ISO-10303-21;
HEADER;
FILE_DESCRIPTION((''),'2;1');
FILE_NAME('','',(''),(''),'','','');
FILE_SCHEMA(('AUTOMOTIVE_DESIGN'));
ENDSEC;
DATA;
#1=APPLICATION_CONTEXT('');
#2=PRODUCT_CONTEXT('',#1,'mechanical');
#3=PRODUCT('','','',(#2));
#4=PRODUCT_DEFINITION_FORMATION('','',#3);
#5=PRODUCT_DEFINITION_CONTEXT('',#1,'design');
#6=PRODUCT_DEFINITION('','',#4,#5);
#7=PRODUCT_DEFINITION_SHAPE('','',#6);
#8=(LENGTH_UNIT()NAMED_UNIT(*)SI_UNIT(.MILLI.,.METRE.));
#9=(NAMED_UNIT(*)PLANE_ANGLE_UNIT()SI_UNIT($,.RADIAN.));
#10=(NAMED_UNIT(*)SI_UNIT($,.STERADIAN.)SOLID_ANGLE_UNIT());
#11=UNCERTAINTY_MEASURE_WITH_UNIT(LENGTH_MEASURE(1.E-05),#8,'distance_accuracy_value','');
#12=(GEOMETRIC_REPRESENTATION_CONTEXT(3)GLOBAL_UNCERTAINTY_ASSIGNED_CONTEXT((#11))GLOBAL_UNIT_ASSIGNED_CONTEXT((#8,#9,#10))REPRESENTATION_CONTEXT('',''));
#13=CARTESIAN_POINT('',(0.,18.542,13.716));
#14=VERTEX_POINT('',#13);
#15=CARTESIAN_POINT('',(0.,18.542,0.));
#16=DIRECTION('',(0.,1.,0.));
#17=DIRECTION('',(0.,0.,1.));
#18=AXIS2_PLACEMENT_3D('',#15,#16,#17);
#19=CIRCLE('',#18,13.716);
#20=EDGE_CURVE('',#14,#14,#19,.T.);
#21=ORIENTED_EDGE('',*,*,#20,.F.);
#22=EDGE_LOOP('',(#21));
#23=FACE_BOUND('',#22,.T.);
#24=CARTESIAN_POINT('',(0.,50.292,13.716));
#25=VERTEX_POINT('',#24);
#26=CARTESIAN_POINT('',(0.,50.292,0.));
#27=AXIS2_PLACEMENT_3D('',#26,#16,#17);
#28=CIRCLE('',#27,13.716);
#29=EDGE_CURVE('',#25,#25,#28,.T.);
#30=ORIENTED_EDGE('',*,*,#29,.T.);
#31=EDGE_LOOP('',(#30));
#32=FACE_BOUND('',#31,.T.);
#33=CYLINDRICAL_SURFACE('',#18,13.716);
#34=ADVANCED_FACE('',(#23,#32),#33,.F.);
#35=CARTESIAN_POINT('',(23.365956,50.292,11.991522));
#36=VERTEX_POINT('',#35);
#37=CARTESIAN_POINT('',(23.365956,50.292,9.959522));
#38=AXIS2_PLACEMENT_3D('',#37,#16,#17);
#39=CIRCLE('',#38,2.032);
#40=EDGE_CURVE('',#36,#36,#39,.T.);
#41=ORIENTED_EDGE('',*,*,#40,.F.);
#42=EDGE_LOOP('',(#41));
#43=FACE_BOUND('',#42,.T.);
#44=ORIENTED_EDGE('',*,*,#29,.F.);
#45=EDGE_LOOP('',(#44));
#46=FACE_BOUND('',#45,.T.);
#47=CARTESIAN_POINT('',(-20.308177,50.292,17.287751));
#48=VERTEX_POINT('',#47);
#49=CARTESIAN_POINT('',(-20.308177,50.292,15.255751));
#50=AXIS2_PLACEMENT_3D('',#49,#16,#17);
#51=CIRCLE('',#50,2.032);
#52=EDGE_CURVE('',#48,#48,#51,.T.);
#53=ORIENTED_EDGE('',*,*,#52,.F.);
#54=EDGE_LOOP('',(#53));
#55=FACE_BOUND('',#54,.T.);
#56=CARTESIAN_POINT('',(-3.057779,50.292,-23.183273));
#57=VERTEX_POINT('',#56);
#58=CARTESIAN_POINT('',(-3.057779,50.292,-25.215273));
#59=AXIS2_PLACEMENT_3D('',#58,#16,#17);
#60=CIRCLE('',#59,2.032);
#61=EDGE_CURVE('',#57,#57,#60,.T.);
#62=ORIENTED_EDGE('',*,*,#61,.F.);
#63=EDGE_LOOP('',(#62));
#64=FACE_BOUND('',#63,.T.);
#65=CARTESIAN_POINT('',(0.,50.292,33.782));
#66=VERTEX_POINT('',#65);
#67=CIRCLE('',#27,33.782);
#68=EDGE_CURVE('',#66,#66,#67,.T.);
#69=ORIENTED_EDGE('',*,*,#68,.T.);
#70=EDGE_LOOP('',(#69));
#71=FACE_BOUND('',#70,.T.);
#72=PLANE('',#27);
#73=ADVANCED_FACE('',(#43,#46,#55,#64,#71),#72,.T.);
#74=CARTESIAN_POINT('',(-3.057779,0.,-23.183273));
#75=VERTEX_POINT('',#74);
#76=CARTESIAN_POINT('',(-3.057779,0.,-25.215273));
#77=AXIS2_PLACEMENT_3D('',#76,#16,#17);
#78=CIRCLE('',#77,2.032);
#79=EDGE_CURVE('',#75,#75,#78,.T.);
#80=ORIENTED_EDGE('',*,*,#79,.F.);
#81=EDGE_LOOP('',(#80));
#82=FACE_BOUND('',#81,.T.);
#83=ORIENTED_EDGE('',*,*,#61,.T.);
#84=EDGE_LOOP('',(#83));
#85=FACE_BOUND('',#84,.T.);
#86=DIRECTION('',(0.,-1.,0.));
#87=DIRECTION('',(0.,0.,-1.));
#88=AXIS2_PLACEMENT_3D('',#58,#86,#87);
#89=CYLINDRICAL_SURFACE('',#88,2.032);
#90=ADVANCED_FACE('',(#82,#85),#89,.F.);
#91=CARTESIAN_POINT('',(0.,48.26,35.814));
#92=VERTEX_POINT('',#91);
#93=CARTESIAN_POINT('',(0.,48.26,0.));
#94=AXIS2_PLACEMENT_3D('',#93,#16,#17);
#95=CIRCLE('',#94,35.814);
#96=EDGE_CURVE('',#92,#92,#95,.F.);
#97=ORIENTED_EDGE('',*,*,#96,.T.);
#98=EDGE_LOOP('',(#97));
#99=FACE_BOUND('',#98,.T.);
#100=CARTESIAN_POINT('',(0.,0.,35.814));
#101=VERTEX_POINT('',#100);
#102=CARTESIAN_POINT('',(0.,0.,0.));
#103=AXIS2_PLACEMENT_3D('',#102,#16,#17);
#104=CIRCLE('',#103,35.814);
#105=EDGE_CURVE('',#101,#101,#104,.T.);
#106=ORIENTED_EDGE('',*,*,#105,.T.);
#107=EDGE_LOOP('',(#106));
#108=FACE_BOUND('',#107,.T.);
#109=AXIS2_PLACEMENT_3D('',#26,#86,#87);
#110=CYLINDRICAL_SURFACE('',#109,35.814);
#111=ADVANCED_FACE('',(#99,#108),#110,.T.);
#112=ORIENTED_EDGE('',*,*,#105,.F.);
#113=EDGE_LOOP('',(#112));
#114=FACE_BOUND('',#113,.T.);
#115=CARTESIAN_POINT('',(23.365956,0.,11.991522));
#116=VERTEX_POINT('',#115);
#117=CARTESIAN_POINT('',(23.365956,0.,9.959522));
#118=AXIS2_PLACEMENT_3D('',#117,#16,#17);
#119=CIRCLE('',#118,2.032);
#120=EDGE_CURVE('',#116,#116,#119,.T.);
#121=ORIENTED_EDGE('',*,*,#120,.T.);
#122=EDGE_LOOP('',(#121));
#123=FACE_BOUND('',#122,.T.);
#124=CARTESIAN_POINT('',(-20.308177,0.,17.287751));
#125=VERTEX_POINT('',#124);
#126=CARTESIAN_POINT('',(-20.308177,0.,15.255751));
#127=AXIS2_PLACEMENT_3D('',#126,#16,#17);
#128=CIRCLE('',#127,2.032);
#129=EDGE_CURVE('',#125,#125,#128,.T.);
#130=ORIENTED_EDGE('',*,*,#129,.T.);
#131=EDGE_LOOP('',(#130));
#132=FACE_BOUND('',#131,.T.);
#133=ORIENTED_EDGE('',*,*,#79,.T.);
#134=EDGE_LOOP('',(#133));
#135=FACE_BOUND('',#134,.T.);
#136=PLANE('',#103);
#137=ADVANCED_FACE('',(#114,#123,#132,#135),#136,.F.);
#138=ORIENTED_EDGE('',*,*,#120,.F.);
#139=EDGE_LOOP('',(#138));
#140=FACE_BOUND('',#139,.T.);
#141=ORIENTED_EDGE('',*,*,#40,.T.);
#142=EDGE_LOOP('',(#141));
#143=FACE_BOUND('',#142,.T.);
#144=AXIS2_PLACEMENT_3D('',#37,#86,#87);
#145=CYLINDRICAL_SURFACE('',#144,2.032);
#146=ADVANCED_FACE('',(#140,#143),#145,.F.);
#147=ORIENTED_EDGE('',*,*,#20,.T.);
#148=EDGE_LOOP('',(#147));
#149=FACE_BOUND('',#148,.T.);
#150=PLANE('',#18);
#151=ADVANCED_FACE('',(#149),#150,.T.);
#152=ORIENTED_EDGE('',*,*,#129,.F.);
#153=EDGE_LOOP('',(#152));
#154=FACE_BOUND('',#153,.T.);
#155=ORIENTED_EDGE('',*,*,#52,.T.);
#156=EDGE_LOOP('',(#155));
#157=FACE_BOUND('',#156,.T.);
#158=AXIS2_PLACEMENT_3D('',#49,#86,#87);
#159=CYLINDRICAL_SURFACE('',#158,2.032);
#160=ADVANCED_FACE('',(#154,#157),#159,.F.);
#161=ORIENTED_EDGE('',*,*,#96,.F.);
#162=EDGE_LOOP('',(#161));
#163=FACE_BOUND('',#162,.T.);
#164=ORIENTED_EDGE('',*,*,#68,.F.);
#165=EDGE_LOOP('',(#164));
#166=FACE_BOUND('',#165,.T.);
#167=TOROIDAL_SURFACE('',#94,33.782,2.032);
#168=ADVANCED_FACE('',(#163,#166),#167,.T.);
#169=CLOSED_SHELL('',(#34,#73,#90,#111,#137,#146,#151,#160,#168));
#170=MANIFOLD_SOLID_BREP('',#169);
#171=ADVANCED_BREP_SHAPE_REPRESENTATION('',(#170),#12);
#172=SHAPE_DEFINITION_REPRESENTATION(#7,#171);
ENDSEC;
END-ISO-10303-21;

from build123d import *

# Parameters (mm, degrees)
SKETCH1_R           = 35.814
SKETCH1_R_2         = 2.032
BOSS_EXTRUDE1_DEPTH = 50.292
SKETCH2_R           = 13.716
CUT_EXTRUDE1_DEPTH  = 31.75
FILLET1_R           = 2.032


with BuildPart() as part:
    # Sketch1 → Boss-Extrude1 (new body)
    with BuildSketch(Plane(origin=(0, 0, 0), x_dir=(1, 0, 0), z_dir=(0, 1, 0))):
        with Locations(Location((0, 0, 0), (0, 0, 270))):
            Circle(SKETCH1_R)
        with Locations(Location((-20.308177359, -15.255750796, 0), (0, 0, 270))):
            Circle(SKETCH1_R_2, mode=Mode.SUBTRACT)
        with Locations(Location((-3.057779064, 25.215272896, 0), (0, 0, 270))):
            Circle(SKETCH1_R_2, mode=Mode.SUBTRACT)
        with Locations(Location((23.365956423, -9.959522099, 0), (0, 0, 270))):
            Circle(SKETCH1_R_2, mode=Mode.SUBTRACT)
    extrude(amount=BOSS_EXTRUDE1_DEPTH)

    # Sketch2 → Cut-Extrude1 (cut)
    with BuildSketch(Plane(origin=(0, 50.292, 0), x_dir=(1, 0, 0), z_dir=(0, 1, 0))):
        with Locations(Location((0, 0, 0), (0, 0, 270))):
            Circle(SKETCH2_R)
    extrude(amount=-CUT_EXTRUDE1_DEPTH, mode=Mode.SUBTRACT)

    # Fillet1
    fillet1_edges = [part.edges().sort_by_distance(p)[0] for p in [
        (0, 50.292, -35.814),
    ]]
    fillet(fillet1_edges, radius=FILLET1_R)


solid = part.part
